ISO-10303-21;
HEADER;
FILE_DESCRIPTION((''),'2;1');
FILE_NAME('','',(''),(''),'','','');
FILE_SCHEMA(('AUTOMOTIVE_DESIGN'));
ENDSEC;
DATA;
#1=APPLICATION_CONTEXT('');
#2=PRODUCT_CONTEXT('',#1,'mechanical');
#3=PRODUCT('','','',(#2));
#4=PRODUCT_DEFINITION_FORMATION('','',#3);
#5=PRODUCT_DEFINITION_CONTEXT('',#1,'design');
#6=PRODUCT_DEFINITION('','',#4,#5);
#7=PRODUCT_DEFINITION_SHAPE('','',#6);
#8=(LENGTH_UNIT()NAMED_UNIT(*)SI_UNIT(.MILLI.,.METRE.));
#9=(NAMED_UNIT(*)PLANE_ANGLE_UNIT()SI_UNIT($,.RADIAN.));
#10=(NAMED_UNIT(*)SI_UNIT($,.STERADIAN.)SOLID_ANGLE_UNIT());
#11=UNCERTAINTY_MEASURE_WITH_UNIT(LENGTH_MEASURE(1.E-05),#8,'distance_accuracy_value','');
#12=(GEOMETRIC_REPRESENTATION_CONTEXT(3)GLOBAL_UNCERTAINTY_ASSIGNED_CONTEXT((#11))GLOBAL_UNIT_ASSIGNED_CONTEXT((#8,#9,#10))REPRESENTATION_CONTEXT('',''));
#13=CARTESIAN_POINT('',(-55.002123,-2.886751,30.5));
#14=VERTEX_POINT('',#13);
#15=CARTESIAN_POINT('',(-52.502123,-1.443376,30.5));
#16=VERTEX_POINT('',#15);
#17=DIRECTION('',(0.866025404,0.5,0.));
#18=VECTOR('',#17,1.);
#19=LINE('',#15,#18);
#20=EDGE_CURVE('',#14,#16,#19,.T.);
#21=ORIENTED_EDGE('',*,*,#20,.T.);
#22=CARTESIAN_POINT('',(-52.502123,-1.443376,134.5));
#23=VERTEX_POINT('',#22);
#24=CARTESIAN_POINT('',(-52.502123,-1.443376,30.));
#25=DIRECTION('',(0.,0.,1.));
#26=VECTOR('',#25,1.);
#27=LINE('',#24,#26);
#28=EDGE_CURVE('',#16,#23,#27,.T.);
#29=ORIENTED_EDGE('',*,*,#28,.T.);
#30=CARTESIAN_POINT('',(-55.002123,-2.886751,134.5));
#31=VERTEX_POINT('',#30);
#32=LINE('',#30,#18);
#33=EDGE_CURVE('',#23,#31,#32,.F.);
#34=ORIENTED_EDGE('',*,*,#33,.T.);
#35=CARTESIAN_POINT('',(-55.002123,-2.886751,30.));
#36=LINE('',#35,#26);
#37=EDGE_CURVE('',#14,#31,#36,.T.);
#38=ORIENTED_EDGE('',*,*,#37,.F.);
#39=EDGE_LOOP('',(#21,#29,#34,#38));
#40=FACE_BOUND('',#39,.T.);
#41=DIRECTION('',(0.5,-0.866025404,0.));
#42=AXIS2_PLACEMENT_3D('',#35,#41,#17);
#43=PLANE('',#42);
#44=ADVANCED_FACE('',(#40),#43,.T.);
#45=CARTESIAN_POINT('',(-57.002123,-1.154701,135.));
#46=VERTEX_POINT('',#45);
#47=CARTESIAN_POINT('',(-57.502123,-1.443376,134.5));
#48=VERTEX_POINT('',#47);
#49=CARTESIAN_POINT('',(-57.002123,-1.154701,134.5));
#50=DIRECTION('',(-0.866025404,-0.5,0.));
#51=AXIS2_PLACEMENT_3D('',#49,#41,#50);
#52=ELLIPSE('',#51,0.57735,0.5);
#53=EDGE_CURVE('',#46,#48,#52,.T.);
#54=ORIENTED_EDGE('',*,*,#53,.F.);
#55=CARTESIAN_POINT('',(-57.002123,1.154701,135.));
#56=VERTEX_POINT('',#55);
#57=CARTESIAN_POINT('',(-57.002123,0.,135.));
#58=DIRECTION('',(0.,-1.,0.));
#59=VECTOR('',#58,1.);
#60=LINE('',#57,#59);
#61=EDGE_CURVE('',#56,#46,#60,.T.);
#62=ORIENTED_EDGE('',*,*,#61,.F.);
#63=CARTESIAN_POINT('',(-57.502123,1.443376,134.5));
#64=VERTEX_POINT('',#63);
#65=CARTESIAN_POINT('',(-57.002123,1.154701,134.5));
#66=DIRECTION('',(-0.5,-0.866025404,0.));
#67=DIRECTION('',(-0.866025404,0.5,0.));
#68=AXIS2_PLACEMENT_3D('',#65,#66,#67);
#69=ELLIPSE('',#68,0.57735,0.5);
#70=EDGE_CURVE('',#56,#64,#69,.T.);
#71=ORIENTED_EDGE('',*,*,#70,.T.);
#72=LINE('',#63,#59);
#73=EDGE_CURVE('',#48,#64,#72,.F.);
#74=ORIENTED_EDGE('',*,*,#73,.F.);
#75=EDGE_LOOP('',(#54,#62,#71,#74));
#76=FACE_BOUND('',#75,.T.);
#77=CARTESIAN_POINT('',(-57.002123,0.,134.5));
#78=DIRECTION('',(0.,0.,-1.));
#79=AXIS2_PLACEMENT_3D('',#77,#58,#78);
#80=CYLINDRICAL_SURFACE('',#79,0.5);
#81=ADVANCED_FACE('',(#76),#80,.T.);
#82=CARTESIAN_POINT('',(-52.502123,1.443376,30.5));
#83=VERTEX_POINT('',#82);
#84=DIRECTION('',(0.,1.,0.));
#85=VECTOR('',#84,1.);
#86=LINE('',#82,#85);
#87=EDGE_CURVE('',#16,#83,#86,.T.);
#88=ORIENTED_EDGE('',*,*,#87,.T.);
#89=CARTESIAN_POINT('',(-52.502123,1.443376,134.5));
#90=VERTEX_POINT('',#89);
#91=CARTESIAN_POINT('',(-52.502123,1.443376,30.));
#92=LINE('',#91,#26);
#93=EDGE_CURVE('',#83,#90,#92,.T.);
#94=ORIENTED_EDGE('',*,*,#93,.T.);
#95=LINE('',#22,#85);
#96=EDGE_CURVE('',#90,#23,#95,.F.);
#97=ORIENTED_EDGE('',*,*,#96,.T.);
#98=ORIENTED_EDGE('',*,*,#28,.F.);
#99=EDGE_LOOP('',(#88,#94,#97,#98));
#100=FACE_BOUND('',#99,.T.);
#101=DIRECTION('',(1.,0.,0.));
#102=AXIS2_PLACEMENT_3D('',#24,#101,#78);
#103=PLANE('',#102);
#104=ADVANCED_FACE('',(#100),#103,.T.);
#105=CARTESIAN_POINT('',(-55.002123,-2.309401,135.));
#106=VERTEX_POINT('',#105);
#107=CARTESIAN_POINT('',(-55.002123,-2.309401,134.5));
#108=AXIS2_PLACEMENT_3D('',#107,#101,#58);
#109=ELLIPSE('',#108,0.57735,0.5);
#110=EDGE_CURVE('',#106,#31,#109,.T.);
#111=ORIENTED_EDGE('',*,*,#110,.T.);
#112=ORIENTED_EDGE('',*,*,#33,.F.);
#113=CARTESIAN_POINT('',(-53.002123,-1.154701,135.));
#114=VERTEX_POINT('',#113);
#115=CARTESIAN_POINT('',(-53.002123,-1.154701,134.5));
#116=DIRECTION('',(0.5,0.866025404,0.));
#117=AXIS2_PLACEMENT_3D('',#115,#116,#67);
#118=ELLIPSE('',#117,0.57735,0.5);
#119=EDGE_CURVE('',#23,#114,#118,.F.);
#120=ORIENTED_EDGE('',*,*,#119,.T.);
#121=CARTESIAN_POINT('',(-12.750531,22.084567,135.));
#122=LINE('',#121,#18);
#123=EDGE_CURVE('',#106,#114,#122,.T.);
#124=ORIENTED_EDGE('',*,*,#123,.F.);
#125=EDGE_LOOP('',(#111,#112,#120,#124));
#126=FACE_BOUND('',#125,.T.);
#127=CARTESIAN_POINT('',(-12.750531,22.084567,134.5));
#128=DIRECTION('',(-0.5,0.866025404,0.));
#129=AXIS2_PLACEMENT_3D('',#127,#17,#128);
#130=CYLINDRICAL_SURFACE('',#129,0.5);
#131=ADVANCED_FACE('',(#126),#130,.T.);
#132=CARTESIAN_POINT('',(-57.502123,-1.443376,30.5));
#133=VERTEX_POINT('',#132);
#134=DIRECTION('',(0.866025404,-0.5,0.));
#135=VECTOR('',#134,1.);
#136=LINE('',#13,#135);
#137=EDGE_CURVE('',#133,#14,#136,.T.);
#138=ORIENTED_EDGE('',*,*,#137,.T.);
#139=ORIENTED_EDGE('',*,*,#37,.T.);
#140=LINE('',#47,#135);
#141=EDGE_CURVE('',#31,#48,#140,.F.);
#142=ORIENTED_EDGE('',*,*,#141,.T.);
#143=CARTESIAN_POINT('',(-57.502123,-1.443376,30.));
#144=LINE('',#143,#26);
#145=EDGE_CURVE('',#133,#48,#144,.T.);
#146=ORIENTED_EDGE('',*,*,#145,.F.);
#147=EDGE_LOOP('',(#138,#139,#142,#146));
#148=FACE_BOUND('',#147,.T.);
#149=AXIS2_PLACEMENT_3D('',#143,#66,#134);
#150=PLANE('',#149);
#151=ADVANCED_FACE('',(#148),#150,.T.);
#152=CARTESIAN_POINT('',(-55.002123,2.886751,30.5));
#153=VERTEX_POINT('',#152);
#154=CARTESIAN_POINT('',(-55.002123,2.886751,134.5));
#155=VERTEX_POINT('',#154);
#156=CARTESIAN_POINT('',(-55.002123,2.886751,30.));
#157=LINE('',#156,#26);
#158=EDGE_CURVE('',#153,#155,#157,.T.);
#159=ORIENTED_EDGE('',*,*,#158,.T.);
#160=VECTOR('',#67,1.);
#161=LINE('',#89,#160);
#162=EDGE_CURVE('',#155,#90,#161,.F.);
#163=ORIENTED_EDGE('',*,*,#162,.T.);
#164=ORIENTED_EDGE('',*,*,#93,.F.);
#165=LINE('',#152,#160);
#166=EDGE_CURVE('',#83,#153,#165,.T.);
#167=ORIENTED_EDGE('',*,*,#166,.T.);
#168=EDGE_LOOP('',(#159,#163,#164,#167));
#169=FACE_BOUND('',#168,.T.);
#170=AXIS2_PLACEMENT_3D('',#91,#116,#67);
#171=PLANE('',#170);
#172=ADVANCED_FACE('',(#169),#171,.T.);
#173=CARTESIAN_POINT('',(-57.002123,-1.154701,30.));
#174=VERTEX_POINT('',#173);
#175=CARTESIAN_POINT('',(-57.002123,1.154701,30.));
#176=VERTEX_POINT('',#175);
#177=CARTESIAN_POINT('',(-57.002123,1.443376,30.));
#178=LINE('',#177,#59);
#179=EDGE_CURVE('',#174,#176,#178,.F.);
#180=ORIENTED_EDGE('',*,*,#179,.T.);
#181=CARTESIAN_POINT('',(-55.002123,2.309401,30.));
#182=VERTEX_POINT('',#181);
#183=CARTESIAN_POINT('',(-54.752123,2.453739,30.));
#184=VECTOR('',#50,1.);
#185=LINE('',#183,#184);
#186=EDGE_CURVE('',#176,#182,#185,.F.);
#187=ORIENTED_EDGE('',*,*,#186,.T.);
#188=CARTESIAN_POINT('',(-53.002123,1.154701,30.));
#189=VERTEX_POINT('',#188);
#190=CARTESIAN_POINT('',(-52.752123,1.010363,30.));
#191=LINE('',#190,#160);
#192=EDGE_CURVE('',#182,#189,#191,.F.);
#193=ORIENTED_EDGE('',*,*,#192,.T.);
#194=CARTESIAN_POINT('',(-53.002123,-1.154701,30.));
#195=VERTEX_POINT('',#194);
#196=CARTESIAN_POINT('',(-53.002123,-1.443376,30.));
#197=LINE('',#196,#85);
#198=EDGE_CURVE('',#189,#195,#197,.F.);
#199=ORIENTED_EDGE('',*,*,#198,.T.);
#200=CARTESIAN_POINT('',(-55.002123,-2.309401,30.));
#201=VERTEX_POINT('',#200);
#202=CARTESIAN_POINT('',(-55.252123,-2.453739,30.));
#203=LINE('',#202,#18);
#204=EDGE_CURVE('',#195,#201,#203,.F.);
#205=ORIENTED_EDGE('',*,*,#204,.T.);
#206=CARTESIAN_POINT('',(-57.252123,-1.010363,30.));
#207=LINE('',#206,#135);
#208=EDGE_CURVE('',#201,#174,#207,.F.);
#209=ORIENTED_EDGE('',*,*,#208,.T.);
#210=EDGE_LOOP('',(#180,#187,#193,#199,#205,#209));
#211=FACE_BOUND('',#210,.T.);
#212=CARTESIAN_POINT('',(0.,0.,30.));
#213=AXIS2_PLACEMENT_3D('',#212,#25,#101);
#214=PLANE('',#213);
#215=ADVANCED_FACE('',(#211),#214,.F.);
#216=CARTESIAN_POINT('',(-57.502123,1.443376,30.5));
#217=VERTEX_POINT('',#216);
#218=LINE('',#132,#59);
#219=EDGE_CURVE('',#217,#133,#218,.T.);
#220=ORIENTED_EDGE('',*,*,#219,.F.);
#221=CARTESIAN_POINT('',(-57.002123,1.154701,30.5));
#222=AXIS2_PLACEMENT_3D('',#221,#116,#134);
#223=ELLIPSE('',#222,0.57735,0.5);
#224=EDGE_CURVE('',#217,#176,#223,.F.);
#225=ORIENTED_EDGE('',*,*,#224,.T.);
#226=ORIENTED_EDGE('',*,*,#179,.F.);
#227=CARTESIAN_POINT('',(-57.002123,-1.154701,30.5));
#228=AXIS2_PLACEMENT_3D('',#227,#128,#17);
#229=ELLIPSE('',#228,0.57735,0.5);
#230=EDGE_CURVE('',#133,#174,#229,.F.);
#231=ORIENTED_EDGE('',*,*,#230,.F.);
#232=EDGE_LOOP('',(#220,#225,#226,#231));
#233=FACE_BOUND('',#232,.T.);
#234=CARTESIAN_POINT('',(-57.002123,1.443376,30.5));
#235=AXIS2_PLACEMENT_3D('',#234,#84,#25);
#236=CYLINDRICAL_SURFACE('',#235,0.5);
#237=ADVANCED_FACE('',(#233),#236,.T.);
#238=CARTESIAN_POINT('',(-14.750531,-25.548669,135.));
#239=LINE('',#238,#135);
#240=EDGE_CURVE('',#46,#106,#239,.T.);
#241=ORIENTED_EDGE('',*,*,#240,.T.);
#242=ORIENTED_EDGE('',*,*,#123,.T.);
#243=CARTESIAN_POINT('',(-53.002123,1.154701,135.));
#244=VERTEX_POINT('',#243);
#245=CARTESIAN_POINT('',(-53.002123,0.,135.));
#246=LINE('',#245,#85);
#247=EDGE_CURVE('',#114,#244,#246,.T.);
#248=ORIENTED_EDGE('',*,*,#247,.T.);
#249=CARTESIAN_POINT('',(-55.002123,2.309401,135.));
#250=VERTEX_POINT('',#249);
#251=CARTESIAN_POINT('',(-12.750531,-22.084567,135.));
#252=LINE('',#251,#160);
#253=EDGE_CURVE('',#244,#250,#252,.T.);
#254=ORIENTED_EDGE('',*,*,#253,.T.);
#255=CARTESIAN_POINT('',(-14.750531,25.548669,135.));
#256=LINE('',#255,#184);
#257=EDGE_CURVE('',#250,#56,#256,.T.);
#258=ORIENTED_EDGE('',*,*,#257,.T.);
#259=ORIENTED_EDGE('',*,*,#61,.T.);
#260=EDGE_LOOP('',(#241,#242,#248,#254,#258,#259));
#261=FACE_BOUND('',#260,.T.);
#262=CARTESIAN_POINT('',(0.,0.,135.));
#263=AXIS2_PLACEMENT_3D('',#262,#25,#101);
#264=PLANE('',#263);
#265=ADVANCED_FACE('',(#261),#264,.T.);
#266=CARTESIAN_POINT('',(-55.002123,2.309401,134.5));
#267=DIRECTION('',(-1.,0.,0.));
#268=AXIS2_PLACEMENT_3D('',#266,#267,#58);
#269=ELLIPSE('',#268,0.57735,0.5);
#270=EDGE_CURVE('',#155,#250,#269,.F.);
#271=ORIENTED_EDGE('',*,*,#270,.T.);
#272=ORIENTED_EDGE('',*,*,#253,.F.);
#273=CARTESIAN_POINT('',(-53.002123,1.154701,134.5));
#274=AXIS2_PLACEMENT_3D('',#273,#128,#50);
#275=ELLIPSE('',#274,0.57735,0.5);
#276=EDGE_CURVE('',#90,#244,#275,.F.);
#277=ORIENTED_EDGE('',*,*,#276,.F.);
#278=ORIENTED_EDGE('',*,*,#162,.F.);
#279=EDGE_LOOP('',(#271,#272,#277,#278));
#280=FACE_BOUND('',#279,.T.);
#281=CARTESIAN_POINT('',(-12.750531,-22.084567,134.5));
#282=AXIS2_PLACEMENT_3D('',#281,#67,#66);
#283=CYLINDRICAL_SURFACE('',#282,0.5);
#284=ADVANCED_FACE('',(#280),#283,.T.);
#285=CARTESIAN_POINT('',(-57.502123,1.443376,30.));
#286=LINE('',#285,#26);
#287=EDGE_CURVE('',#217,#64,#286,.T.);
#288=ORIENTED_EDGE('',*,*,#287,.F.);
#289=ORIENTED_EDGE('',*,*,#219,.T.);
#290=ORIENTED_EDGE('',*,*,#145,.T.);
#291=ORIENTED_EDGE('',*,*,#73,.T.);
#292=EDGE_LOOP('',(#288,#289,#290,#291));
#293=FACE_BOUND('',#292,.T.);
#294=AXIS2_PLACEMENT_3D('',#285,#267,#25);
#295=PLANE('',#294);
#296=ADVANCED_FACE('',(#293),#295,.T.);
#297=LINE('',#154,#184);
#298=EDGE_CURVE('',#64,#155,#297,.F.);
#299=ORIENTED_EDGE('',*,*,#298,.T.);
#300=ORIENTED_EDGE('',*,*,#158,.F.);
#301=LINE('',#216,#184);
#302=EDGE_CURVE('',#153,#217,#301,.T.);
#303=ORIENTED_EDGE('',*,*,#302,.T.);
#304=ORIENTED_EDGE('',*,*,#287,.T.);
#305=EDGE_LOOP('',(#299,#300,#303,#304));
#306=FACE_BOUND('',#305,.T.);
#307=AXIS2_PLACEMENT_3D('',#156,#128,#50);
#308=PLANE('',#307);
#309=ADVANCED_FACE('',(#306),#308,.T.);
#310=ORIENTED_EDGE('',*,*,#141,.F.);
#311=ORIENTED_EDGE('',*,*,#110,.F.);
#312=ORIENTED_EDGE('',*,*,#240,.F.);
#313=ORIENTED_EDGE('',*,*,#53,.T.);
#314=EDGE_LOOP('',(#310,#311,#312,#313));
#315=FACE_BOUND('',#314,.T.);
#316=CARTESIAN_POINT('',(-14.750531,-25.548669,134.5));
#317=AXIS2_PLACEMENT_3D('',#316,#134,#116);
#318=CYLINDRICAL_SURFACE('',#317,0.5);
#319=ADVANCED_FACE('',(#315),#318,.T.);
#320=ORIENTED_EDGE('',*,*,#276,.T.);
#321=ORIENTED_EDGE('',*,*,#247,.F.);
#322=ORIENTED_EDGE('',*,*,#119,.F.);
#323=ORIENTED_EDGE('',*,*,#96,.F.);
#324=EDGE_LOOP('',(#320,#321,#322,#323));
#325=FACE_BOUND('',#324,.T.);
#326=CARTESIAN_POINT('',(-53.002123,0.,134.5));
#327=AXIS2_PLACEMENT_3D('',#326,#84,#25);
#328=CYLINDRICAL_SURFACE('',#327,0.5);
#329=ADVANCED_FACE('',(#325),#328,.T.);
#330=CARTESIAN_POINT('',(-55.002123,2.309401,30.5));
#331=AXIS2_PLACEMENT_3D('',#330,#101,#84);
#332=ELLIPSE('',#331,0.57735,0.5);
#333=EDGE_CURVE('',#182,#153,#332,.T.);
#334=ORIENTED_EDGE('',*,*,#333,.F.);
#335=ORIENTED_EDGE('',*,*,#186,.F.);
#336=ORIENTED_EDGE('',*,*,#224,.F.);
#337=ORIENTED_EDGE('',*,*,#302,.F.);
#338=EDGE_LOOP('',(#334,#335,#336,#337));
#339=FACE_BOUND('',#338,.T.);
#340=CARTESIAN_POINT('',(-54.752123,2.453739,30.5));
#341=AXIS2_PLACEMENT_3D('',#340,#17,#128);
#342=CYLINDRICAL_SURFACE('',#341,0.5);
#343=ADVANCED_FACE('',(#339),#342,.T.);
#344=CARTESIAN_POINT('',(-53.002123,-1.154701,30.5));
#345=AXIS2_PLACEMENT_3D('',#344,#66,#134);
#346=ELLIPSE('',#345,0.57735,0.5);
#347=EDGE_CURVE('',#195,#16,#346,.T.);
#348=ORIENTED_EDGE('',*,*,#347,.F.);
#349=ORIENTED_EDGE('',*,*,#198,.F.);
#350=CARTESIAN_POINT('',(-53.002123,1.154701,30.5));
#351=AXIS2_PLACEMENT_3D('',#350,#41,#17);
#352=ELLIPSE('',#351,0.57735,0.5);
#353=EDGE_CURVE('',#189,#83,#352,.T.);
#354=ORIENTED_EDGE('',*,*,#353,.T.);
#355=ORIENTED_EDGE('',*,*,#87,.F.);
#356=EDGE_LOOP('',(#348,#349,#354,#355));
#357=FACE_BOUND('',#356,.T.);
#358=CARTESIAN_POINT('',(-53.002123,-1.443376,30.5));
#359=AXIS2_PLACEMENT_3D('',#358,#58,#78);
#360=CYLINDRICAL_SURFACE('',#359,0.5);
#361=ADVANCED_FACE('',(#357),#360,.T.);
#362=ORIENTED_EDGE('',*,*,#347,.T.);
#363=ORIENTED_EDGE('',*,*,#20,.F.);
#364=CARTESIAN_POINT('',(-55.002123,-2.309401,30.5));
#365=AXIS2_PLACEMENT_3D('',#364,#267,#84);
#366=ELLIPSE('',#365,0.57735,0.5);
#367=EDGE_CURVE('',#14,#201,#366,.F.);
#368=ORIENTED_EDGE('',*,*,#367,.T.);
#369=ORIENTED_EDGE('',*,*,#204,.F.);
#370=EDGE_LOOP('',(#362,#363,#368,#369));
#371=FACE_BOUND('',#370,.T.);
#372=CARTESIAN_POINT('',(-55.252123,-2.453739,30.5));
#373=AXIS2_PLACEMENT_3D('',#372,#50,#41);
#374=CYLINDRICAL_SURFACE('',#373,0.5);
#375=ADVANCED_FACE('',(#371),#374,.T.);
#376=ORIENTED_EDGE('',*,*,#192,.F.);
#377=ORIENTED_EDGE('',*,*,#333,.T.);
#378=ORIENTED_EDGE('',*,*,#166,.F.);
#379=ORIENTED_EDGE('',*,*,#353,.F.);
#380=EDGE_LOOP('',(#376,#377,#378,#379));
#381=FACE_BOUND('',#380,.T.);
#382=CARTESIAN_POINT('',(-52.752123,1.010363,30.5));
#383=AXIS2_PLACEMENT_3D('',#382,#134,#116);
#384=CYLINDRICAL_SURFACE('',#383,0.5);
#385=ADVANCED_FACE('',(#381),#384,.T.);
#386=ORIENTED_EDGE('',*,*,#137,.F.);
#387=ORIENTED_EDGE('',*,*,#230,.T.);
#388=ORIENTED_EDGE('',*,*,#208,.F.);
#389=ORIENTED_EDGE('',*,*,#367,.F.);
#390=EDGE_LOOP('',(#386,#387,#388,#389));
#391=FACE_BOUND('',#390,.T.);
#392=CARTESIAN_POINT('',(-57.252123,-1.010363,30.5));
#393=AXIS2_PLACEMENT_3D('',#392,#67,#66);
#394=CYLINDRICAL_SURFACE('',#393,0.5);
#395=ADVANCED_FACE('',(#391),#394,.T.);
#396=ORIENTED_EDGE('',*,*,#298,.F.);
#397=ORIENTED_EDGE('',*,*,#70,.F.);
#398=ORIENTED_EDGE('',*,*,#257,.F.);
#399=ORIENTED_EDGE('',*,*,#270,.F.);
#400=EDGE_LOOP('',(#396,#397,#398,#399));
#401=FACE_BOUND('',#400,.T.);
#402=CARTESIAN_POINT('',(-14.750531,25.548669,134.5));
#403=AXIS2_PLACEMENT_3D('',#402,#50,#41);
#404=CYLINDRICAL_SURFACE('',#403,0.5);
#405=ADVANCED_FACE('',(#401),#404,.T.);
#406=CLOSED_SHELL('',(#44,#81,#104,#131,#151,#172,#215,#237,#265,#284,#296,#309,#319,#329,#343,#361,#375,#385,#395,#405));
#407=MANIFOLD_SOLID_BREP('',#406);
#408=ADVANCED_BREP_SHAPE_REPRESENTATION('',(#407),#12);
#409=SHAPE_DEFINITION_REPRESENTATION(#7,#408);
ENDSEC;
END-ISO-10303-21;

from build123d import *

# Parameters (mm, degrees)
RESSALTO_EXTRUS_O1_DEPTH = 105
FILETE1_R                = 0.5


with BuildPart() as part:
    # Esboço1 → Ressalto-extrusão1 (new body)
    with BuildSketch(Plane.XY.offset(135)):
        Polygon((-55.002122675, 2.886751346), (-57.502122675, 1.443375673), (-57.502122675, -1.443375673), (-55.002122675, -2.886751346), (-52.502122675, -1.443375673), (-52.502122675, 1.443375673), align=None)
    extrude(amount=-RESSALTO_EXTRUS_O1_DEPTH)

    # Filete1
    filete1_edges = [part.edges().sort_by_distance(p)[0] for p in [
        (-57.502122675, 0, 30),
        (-56.252122675, -2.165063509, 30),
        (-53.752122675, -2.165063509, 30),
        (-52.502122675, 0, 30),
        (-53.752122675, 2.165063509, 30),
        (-52.502122675, 0, 135),
        (-53.752122675, -2.165063509, 135),
        (-56.252122675, -2.165063509, 135),
        (-57.502122675, 0, 135),
        (-56.252122675, 2.165063509, 135),
        (-53.752122675, 2.165063509, 135),
        (-56.252122675, 2.165063509, 30),
    ]]
    fillet(filete1_edges, radius=FILETE1_R)


solid = part.part
